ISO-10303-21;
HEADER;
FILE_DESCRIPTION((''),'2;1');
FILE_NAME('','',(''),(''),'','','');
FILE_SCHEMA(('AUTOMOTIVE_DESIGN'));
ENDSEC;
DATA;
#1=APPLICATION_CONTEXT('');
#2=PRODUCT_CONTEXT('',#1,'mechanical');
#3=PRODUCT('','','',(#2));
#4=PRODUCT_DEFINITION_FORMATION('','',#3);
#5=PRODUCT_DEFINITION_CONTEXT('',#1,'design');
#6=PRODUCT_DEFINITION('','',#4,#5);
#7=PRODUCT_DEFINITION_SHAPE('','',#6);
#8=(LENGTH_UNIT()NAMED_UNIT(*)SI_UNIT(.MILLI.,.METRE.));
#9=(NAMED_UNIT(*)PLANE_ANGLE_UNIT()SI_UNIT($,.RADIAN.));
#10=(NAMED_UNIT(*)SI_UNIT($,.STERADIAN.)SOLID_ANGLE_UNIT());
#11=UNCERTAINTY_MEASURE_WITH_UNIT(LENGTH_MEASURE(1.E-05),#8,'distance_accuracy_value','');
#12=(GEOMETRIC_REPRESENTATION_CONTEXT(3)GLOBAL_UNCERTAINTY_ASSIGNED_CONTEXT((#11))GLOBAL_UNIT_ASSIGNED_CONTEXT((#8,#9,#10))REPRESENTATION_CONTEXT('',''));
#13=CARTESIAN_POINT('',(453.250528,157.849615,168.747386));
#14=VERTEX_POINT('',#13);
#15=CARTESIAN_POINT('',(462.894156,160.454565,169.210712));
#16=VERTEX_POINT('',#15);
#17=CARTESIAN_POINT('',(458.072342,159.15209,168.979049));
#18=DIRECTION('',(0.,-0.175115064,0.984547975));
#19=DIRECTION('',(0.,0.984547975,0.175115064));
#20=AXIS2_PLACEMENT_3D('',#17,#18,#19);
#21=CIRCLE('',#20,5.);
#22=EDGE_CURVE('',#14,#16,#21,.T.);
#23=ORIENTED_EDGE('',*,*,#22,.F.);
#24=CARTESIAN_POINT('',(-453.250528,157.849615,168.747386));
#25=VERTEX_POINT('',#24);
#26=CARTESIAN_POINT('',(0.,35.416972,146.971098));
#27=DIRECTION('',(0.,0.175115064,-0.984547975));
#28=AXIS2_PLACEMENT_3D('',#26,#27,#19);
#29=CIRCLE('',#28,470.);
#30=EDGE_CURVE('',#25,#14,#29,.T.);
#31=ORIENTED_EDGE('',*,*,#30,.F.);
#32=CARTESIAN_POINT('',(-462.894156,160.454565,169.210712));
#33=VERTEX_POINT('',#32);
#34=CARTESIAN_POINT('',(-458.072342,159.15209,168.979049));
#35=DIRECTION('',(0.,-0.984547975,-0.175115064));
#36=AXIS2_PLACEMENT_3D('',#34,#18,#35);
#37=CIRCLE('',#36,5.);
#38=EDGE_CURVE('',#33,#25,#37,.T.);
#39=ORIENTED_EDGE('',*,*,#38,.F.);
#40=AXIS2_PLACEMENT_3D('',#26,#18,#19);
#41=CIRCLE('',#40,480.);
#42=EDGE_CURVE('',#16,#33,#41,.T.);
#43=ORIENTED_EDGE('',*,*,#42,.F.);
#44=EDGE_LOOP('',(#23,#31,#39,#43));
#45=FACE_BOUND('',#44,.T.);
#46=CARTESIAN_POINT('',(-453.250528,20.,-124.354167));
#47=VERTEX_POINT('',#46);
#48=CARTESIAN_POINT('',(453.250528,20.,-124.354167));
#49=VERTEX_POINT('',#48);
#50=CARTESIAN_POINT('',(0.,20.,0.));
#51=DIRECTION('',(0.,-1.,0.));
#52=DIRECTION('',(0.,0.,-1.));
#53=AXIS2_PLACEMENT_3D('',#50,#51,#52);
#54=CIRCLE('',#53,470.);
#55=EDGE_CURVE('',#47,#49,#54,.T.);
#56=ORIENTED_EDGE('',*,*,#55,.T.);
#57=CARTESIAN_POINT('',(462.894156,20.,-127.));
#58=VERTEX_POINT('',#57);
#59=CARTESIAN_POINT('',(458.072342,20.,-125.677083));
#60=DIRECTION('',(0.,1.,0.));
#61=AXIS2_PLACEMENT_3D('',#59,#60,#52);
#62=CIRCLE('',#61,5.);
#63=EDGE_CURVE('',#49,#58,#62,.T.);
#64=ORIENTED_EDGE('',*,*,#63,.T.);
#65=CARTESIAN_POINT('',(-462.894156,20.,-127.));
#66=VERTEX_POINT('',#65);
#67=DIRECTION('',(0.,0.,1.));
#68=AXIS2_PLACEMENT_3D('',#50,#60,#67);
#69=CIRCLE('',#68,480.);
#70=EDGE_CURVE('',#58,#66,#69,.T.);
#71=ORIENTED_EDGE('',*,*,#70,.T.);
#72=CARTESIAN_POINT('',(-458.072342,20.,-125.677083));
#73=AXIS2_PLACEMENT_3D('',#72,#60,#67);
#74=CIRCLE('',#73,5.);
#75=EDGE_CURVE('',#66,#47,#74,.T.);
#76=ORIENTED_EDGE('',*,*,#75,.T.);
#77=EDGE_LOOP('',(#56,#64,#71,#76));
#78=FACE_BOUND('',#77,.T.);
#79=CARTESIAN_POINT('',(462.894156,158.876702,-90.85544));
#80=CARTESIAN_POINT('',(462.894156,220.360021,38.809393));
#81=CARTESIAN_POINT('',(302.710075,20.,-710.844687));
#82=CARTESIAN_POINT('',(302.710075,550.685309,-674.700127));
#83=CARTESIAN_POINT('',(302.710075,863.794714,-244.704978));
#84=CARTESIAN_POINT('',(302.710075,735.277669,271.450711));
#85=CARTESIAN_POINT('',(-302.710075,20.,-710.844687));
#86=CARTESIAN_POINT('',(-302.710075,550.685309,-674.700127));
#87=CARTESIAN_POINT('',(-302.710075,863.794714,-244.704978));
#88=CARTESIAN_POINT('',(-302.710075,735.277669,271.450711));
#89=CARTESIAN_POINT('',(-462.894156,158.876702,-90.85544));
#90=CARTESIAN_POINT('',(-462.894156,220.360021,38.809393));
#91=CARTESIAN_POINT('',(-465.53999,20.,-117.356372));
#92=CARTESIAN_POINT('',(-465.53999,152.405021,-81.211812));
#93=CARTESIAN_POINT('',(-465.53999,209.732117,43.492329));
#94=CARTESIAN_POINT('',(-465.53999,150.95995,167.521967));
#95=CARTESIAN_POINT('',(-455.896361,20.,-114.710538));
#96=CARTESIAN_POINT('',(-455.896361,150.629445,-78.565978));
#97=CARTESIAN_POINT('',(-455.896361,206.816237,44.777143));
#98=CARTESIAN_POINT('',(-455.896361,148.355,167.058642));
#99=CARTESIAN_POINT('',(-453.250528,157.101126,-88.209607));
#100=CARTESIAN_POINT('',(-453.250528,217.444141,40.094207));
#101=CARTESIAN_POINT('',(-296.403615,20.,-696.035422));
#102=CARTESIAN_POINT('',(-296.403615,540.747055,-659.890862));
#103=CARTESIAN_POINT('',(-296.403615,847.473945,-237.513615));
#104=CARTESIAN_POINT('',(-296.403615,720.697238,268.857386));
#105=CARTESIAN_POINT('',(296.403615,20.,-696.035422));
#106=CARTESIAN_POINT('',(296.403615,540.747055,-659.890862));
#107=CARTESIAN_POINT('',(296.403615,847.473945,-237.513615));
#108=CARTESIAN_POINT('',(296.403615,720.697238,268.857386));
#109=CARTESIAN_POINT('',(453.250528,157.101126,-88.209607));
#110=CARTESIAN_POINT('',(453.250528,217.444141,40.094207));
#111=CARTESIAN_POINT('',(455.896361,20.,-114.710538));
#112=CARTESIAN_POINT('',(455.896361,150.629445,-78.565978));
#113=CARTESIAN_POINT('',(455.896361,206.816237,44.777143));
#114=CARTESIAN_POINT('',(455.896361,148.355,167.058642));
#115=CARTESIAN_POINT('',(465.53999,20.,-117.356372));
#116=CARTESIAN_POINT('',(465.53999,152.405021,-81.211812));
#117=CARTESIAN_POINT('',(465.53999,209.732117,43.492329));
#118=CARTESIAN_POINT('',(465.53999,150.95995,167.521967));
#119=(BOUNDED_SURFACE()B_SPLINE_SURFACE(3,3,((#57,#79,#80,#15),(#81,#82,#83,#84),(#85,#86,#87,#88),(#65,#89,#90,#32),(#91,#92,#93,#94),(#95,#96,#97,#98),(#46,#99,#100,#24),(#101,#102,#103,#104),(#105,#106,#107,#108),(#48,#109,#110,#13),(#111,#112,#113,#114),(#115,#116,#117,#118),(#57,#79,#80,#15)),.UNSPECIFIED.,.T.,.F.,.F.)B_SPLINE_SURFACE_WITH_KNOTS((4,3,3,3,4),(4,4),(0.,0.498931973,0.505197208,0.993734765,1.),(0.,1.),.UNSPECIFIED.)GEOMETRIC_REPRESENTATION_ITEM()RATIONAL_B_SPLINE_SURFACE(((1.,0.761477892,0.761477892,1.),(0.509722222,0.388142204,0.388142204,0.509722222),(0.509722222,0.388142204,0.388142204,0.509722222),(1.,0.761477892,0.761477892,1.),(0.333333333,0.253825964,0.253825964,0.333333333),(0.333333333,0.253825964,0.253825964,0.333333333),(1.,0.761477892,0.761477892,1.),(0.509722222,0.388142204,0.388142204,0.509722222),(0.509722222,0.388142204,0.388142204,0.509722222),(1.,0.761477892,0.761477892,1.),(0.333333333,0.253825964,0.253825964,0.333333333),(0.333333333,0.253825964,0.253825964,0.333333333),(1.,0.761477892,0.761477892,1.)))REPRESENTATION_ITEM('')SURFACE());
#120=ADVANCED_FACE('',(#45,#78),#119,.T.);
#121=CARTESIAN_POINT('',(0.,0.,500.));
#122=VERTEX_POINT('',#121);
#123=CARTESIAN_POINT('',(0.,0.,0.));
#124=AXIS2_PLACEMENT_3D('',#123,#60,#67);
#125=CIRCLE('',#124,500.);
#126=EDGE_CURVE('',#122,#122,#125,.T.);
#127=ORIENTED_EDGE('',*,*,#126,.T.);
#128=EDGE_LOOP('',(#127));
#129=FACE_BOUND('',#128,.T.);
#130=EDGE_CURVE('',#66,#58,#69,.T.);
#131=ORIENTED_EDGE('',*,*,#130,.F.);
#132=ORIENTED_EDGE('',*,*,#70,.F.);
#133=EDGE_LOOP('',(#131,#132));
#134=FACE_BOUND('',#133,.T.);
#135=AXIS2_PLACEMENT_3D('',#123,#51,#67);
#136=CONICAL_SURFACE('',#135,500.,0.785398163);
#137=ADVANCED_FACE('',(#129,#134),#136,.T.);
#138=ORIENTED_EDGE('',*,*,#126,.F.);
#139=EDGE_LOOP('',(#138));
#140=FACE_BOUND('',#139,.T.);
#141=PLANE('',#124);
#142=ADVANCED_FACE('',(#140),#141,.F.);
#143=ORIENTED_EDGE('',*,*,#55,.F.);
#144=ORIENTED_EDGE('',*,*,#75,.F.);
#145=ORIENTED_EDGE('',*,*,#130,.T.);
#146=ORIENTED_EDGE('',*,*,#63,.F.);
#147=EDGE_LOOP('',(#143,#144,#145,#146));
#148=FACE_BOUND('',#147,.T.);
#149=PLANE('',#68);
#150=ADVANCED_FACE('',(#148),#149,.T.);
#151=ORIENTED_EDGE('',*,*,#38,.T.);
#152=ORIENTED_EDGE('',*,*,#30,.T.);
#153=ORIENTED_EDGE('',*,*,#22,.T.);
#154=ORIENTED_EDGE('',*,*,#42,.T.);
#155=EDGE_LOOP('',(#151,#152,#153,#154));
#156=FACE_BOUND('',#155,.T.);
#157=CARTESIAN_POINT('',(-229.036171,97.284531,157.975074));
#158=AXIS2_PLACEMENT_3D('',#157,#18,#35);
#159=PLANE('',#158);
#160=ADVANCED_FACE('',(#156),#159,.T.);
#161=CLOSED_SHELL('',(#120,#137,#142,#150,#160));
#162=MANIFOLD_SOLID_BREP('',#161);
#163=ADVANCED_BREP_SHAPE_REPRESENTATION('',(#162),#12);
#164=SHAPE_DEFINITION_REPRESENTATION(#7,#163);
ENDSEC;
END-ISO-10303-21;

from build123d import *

# Parameters (mm, degrees)
SKETCH1_R           = 500
BOSS_EXTRUDE1_DEPTH = 20
BOSS_EXTRUDE1_TAPER = 45


with BuildPart() as part:
    # Sketch1 → Boss-Extrude1 (new body)
    with BuildSketch(Plane(origin=(0, 0, 0), x_dir=(1, 0, 0), z_dir=(0, 1, 0))):
        Circle(SKETCH1_R)
    extrude(amount=BOSS_EXTRUDE1_DEPTH, taper=BOSS_EXTRUDE1_TAPER)

    # Sweep1: sweep along a path in Sketch3
    with BuildLine(Plane(origin=(0, 0, 0), x_dir=(0, 0, -1), z_dir=(1, 0, 0))) as sweep1_path:
        ThreePointArc((480, 20), (238.376555203, 429.939732355), (-231.026329166, 508))
    # Sketch2 → Sweep1 (sweep)
    with BuildSketch(Plane(origin=(0, 20, 0), x_dir=(1, 0, 0), z_dir=(0, 1, 0))):
        with BuildLine():
            ThreePointArc((-462.894156368, 127), (0, 480), (462.894156368, 127))
            ThreePointArc((462.894156368, 127), (459.395258906, 120.855269204), (453.250528111, 124.354166667))
            ThreePointArc((453.250528111, 124.354166667), (0, 470), (-453.250528111, 124.354166667))
            ThreePointArc((-453.250528111, 124.354166667), (-459.395258906, 120.855269204), (-462.894156368, 127))
        make_face()
    sweep(path=sweep1_path.line)


solid = part.part
